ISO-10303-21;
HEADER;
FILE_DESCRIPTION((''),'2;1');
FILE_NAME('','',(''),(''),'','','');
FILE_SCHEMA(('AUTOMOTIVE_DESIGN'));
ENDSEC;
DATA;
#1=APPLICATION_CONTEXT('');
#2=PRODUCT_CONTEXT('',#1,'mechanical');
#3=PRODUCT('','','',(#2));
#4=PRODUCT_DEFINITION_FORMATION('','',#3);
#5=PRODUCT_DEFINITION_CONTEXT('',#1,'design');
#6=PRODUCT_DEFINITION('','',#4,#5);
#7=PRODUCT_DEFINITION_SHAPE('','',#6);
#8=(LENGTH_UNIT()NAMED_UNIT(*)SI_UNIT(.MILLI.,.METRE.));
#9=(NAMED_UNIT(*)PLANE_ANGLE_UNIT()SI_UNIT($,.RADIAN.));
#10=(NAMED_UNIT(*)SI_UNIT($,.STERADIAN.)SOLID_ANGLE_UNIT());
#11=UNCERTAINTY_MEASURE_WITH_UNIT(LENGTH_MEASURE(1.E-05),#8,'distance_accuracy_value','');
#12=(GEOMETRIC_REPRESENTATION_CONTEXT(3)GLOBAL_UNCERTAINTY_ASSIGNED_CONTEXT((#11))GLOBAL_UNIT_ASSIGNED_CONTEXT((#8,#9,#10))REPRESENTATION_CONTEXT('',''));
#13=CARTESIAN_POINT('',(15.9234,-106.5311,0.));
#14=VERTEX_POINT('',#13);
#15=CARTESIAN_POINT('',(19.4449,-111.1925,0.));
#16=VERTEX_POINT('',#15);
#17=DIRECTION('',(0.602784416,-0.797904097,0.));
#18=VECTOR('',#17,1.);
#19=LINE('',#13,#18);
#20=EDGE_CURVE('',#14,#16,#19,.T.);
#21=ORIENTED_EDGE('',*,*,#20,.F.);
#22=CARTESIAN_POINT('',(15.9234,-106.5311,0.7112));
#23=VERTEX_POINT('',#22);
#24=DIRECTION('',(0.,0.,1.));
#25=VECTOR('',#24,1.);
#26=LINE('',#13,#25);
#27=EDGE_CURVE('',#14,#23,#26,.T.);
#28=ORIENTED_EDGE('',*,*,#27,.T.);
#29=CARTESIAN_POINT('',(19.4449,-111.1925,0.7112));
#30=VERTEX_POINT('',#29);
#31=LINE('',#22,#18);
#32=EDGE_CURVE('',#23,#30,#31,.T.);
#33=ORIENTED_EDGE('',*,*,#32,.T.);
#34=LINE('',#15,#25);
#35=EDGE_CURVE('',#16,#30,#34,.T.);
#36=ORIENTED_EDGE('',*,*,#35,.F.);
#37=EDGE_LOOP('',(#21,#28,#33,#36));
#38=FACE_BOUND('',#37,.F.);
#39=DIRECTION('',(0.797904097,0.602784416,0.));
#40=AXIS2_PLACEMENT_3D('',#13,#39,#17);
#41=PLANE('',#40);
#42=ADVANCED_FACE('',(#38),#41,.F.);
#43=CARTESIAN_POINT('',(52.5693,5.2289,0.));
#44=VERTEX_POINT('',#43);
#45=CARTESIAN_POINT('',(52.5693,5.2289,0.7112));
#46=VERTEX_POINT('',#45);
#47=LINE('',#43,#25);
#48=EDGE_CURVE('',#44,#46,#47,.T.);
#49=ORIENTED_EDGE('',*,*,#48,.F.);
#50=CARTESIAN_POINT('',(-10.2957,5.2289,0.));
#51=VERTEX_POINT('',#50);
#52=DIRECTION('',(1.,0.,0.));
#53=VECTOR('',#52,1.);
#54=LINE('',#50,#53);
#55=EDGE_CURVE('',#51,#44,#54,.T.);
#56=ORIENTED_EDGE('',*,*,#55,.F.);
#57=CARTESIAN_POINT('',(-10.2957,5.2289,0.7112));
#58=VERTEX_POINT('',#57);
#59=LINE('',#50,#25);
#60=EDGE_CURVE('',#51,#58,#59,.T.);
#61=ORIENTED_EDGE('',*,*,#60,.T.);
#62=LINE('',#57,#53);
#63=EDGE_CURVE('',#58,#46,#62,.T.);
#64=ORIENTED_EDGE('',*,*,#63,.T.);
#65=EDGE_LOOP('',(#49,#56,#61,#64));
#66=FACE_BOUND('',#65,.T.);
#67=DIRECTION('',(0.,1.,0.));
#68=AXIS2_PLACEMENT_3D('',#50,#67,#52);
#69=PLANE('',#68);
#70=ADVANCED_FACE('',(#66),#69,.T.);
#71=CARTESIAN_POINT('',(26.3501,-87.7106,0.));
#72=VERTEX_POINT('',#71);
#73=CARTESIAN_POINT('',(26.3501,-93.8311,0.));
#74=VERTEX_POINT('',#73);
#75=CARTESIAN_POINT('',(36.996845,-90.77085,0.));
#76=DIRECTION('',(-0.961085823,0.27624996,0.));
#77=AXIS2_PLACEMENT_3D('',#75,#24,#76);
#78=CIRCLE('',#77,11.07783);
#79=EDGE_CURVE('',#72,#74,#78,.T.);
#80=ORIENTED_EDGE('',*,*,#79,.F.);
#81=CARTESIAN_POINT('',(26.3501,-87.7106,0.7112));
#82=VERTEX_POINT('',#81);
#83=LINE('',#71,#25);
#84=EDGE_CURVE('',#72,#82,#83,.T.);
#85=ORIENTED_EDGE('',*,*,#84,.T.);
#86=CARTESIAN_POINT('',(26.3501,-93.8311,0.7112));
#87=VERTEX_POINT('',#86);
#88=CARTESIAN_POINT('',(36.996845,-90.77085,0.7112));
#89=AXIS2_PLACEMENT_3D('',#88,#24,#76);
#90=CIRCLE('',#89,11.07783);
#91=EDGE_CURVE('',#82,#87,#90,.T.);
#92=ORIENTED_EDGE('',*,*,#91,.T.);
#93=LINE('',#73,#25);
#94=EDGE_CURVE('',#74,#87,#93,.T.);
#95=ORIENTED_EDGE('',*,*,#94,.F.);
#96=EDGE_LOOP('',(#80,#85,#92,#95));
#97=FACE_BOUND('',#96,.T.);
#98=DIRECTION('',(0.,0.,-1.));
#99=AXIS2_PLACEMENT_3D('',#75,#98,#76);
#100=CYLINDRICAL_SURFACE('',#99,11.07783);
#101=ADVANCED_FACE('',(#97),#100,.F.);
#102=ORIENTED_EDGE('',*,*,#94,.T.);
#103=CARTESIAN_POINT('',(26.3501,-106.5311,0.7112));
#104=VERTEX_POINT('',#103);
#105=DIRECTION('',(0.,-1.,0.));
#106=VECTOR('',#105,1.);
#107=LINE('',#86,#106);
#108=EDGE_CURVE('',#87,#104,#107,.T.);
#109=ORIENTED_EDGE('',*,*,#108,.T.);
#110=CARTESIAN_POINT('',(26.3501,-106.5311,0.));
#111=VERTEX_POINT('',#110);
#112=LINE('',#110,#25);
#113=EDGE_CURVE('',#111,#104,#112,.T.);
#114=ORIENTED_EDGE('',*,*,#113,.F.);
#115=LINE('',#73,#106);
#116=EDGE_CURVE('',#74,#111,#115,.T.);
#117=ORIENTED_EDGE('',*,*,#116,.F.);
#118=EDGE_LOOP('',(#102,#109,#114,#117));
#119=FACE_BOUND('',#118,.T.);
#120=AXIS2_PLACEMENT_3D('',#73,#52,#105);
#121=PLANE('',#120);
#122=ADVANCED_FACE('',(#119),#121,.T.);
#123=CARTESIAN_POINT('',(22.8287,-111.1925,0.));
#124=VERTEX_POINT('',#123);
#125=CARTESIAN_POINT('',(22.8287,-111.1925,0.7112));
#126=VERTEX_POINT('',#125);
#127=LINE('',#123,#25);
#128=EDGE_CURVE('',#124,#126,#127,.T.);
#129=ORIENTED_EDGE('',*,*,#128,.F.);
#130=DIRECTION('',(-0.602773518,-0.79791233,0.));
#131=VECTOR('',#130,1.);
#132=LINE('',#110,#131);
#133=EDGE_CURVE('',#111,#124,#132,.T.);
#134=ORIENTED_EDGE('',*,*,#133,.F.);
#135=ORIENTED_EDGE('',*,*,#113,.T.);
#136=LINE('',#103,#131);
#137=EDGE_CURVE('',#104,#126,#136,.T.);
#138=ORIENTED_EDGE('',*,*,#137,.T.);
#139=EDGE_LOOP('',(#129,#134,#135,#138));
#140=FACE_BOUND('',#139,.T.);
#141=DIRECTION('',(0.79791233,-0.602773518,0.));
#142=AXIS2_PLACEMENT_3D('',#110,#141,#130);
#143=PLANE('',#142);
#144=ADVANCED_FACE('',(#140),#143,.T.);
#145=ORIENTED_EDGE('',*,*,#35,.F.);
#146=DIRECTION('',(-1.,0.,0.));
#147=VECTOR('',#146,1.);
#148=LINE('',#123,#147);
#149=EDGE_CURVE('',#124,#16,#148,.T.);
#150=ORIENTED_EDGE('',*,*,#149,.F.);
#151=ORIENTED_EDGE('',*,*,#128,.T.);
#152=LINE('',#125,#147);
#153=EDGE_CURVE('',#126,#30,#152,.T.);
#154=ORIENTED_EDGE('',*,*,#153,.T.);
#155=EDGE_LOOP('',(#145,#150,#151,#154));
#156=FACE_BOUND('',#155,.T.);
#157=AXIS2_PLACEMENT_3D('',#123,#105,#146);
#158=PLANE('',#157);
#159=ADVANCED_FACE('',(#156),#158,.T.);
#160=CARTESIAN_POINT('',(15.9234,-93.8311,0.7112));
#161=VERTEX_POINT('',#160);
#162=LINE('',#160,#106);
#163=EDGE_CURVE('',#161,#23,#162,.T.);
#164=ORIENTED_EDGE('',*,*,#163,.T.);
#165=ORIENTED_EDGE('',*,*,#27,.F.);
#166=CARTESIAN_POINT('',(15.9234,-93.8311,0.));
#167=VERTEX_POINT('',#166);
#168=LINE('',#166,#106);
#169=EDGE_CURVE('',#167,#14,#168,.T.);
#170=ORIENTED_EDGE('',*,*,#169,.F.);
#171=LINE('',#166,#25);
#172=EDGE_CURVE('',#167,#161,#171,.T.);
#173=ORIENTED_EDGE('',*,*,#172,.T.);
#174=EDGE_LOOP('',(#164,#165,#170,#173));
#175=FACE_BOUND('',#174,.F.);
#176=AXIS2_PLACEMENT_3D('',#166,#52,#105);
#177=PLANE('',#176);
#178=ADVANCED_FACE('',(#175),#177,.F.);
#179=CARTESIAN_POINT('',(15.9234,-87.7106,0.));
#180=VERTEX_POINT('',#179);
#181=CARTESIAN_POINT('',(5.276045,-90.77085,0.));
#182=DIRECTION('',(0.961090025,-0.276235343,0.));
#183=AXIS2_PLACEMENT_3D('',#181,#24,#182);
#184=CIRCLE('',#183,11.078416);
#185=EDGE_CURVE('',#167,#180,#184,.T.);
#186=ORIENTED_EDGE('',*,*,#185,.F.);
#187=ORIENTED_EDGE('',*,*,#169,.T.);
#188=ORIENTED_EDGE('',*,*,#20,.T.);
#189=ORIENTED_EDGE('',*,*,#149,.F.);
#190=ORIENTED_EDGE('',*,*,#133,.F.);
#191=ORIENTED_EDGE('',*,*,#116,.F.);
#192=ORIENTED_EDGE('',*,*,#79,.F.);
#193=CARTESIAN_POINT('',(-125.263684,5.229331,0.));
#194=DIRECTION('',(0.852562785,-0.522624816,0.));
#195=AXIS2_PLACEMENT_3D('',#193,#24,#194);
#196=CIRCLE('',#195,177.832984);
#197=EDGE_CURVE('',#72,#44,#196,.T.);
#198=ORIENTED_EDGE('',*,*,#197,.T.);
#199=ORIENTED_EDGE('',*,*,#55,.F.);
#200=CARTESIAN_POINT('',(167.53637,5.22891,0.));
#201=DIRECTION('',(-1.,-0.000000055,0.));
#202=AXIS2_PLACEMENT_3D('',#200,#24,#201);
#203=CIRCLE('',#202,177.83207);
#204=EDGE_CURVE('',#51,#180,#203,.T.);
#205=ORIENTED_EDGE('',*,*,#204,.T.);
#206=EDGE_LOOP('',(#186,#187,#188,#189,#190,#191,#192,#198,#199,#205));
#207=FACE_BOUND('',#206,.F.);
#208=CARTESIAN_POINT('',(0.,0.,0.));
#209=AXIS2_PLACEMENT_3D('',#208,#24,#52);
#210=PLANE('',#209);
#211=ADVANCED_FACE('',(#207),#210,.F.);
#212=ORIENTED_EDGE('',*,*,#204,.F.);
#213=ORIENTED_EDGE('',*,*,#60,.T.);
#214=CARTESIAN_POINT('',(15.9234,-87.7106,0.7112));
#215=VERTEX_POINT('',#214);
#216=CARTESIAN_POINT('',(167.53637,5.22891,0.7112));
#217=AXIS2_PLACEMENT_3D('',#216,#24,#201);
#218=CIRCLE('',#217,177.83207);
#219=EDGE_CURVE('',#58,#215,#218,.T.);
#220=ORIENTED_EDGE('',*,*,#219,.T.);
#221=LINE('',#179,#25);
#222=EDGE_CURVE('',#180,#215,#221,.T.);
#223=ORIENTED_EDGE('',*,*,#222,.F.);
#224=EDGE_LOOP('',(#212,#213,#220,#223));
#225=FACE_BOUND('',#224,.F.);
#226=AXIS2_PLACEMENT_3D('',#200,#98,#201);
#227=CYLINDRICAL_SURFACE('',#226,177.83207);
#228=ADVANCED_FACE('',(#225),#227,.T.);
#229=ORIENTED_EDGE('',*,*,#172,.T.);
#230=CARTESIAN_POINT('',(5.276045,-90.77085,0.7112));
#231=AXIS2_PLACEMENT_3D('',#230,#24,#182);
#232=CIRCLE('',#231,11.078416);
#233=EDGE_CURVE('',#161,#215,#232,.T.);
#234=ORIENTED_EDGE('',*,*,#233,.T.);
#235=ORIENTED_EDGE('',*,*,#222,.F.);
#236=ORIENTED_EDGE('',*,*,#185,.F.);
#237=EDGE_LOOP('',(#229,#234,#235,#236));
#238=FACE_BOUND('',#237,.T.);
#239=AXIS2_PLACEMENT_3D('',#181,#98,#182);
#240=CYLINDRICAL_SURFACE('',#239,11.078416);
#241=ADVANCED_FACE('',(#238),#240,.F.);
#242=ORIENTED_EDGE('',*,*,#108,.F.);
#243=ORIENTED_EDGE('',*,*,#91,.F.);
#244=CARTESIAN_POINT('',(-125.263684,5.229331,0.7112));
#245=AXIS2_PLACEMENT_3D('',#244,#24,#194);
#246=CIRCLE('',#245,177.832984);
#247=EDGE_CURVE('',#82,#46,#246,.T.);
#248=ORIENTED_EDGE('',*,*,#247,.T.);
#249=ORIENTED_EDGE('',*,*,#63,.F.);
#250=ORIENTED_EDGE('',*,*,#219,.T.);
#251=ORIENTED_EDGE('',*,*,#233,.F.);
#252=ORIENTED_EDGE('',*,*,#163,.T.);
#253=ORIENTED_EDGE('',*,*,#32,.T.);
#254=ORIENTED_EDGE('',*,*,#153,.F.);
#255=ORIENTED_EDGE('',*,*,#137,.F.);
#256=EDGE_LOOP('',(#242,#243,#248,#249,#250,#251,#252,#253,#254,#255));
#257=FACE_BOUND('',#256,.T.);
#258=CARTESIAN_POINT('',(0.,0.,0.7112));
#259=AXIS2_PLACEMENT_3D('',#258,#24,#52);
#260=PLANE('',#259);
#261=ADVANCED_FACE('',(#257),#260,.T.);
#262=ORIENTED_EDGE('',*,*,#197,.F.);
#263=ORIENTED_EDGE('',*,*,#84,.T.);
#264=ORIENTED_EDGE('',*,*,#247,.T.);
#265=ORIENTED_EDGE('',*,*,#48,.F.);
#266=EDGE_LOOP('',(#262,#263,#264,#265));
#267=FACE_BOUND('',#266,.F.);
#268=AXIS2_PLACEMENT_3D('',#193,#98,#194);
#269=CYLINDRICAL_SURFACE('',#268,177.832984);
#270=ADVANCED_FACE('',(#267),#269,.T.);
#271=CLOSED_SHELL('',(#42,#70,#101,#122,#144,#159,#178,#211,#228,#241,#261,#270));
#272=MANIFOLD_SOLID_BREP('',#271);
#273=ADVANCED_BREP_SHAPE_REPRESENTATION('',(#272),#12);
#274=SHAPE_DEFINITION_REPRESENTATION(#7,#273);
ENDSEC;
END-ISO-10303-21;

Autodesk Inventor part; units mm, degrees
ref_plane "YZ Plane" through (0, 0, 0) normal (1, 0, 0) x (0, 1, 0)
ref_plane "XZ Plane" through (0, 0, 0) normal (0, 1, 0) x (-1, 0, 0)
ref_plane "XY Plane" through (0, 0, 0) normal (0, 0, 1) x (1, 0, 0)
sketch "Sketch1" plane through (0, 0, 0) normal (0, 0, 1) x (1, 0, 0)
  line L0 (-10.2957, 5.2289) -> (52.5693, 5.2289)
  line L1 (-10.2957, 5.2289) -> (15.9234, -93.8311) construction
  line L2 (15.9234, -93.8311) -> (26.3501, -93.8311) construction
  line L3 (15.9234, -93.8311) -> (15.9234, -106.5311)
  line L4 (26.3501, -93.8311) -> (26.3501, -106.5311)
  arc A0 (26.3501, -87.7106) -> (26.3501, -93.8311) centre (36.9972, -90.7709) ccw
  arc A1 (26.3501, -87.7106) -> (52.5693, 5.2289) centre (-125.2627, 5.2289) ccw
  line L5 (21.1368, 5.2289) -> (21.1368, -93.8311) construction
  arc A2 (15.9234, -93.8311) -> (15.9234, -87.7106) centre (5.2764, -90.7709) ccw
  arc A3 (-10.2957, 5.2289) -> (15.9234, -87.7106) centre (167.5363, 5.2289) ccw
  line L6 (26.3501, -106.5311) -> (23.352, -113.2427) construction
  line L7 (26.3501, -106.5311) -> (22.8287, -111.1925)
  line L8 (22.8287, -111.1925) -> (19.4449, -111.1925)
  line L9 (15.9234, -106.5311) -> (19.4449, -111.1925)
  point P0 (0, 0)
  point P1 (8.355, -65.2363)
  dimension "d10" = 10.4267
  dimension "d11" = 12.7
  dimension "d12" = 99.06
  dimension "d15" = 5.842
  dimension "d16" = 5.842
  dimension "d19" = 62.865
  dimension "d20" = 3.3838
extrude "Extrusion1" add sketch "Sketch1" along normal blind 0.7112
sketch "Sketch2" plane through (0, 0, 0.7112) normal (0, 0, 1) x (1, 0, 0)
  arc A0 (-10.2957, 5.2289) -> (15.9234, -87.7106) centre (167.5363, 5.2289) ccw projected
  arc A1 (26.3501, -87.7106) -> (26.3501, -93.8311) centre (36.9972, -90.7709) ccw
  arc A2 (15.9234, -93.8311) -> (15.9234, -87.7106) centre (5.2764, -90.7709) ccw projected
  line L0 (15.9234, -87.7106) -> (26.3501, -87.7106)
  point P0 (0, 0)
sketch "Sketch3" plane through (0, 0, 0.7112) normal (0, 0, 1) x (1, 0, 0)
  arc A0 (-10.2957, 5.2289) -> (15.9234, -87.7106) centre (167.5363, 5.2289) ccw projected
  line L0 (8.288, -73.9178) -> (33.9856, -73.9178)
  arc A1 (26.3501, -87.7106) -> (52.5693, 5.2289) centre (-125.2627, 5.2289) ccw projected
  point P0 (0, 0)
properties part number "Dis"
